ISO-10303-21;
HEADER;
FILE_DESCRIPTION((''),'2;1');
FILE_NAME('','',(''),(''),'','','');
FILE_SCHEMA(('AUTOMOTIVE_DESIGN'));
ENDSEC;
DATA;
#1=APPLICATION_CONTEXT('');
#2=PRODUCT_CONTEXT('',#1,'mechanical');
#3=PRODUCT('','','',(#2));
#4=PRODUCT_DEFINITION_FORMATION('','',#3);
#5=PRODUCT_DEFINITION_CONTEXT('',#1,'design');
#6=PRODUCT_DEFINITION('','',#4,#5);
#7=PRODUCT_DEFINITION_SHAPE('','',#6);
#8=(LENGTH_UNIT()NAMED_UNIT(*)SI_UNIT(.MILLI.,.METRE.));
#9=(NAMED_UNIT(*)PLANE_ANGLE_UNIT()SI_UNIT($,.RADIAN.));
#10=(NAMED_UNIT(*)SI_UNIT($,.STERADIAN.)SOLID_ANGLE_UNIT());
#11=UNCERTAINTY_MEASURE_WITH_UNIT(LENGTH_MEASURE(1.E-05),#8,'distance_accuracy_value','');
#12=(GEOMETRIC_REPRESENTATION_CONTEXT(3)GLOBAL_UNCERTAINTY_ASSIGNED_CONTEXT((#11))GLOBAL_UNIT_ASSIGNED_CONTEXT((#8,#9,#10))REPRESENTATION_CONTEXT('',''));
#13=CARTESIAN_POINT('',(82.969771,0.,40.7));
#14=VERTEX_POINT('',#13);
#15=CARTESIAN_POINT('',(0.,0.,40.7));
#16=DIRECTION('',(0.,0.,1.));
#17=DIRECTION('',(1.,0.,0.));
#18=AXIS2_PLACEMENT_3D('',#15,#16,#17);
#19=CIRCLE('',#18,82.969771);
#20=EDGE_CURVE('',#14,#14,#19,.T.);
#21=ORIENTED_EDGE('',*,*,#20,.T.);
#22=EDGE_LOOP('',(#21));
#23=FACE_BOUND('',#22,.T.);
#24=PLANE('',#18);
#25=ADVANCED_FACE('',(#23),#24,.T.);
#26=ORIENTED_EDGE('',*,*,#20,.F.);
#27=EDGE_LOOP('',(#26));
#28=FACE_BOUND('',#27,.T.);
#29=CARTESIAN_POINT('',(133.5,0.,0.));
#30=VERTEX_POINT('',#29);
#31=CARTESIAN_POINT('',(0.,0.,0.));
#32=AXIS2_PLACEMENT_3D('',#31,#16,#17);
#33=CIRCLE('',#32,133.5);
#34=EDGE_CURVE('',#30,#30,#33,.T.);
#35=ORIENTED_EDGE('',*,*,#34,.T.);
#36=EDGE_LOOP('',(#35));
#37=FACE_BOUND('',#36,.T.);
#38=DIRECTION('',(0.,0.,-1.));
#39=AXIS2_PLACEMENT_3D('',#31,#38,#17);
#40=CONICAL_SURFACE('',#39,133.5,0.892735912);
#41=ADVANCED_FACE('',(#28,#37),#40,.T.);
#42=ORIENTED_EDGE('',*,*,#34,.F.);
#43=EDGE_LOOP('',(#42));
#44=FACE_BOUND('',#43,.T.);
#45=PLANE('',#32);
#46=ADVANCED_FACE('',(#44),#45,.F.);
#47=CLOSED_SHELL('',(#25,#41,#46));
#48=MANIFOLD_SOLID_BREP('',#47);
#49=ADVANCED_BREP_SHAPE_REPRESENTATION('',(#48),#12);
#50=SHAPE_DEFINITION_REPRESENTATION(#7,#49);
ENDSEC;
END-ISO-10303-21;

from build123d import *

# Parameters (mm, degrees)
SKETCH1_R           = 133.5
BOSS_EXTRUDE1_DEPTH = 40.7
BOSS_EXTRUDE1_TAPER = 51.15


with BuildPart() as part:
    # Sketch1 → Boss-Extrude1 (new body)
    with BuildSketch(Plane.XY):
        Circle(SKETCH1_R)
    extrude(amount=BOSS_EXTRUDE1_DEPTH, taper=BOSS_EXTRUDE1_TAPER)


solid = part.part
